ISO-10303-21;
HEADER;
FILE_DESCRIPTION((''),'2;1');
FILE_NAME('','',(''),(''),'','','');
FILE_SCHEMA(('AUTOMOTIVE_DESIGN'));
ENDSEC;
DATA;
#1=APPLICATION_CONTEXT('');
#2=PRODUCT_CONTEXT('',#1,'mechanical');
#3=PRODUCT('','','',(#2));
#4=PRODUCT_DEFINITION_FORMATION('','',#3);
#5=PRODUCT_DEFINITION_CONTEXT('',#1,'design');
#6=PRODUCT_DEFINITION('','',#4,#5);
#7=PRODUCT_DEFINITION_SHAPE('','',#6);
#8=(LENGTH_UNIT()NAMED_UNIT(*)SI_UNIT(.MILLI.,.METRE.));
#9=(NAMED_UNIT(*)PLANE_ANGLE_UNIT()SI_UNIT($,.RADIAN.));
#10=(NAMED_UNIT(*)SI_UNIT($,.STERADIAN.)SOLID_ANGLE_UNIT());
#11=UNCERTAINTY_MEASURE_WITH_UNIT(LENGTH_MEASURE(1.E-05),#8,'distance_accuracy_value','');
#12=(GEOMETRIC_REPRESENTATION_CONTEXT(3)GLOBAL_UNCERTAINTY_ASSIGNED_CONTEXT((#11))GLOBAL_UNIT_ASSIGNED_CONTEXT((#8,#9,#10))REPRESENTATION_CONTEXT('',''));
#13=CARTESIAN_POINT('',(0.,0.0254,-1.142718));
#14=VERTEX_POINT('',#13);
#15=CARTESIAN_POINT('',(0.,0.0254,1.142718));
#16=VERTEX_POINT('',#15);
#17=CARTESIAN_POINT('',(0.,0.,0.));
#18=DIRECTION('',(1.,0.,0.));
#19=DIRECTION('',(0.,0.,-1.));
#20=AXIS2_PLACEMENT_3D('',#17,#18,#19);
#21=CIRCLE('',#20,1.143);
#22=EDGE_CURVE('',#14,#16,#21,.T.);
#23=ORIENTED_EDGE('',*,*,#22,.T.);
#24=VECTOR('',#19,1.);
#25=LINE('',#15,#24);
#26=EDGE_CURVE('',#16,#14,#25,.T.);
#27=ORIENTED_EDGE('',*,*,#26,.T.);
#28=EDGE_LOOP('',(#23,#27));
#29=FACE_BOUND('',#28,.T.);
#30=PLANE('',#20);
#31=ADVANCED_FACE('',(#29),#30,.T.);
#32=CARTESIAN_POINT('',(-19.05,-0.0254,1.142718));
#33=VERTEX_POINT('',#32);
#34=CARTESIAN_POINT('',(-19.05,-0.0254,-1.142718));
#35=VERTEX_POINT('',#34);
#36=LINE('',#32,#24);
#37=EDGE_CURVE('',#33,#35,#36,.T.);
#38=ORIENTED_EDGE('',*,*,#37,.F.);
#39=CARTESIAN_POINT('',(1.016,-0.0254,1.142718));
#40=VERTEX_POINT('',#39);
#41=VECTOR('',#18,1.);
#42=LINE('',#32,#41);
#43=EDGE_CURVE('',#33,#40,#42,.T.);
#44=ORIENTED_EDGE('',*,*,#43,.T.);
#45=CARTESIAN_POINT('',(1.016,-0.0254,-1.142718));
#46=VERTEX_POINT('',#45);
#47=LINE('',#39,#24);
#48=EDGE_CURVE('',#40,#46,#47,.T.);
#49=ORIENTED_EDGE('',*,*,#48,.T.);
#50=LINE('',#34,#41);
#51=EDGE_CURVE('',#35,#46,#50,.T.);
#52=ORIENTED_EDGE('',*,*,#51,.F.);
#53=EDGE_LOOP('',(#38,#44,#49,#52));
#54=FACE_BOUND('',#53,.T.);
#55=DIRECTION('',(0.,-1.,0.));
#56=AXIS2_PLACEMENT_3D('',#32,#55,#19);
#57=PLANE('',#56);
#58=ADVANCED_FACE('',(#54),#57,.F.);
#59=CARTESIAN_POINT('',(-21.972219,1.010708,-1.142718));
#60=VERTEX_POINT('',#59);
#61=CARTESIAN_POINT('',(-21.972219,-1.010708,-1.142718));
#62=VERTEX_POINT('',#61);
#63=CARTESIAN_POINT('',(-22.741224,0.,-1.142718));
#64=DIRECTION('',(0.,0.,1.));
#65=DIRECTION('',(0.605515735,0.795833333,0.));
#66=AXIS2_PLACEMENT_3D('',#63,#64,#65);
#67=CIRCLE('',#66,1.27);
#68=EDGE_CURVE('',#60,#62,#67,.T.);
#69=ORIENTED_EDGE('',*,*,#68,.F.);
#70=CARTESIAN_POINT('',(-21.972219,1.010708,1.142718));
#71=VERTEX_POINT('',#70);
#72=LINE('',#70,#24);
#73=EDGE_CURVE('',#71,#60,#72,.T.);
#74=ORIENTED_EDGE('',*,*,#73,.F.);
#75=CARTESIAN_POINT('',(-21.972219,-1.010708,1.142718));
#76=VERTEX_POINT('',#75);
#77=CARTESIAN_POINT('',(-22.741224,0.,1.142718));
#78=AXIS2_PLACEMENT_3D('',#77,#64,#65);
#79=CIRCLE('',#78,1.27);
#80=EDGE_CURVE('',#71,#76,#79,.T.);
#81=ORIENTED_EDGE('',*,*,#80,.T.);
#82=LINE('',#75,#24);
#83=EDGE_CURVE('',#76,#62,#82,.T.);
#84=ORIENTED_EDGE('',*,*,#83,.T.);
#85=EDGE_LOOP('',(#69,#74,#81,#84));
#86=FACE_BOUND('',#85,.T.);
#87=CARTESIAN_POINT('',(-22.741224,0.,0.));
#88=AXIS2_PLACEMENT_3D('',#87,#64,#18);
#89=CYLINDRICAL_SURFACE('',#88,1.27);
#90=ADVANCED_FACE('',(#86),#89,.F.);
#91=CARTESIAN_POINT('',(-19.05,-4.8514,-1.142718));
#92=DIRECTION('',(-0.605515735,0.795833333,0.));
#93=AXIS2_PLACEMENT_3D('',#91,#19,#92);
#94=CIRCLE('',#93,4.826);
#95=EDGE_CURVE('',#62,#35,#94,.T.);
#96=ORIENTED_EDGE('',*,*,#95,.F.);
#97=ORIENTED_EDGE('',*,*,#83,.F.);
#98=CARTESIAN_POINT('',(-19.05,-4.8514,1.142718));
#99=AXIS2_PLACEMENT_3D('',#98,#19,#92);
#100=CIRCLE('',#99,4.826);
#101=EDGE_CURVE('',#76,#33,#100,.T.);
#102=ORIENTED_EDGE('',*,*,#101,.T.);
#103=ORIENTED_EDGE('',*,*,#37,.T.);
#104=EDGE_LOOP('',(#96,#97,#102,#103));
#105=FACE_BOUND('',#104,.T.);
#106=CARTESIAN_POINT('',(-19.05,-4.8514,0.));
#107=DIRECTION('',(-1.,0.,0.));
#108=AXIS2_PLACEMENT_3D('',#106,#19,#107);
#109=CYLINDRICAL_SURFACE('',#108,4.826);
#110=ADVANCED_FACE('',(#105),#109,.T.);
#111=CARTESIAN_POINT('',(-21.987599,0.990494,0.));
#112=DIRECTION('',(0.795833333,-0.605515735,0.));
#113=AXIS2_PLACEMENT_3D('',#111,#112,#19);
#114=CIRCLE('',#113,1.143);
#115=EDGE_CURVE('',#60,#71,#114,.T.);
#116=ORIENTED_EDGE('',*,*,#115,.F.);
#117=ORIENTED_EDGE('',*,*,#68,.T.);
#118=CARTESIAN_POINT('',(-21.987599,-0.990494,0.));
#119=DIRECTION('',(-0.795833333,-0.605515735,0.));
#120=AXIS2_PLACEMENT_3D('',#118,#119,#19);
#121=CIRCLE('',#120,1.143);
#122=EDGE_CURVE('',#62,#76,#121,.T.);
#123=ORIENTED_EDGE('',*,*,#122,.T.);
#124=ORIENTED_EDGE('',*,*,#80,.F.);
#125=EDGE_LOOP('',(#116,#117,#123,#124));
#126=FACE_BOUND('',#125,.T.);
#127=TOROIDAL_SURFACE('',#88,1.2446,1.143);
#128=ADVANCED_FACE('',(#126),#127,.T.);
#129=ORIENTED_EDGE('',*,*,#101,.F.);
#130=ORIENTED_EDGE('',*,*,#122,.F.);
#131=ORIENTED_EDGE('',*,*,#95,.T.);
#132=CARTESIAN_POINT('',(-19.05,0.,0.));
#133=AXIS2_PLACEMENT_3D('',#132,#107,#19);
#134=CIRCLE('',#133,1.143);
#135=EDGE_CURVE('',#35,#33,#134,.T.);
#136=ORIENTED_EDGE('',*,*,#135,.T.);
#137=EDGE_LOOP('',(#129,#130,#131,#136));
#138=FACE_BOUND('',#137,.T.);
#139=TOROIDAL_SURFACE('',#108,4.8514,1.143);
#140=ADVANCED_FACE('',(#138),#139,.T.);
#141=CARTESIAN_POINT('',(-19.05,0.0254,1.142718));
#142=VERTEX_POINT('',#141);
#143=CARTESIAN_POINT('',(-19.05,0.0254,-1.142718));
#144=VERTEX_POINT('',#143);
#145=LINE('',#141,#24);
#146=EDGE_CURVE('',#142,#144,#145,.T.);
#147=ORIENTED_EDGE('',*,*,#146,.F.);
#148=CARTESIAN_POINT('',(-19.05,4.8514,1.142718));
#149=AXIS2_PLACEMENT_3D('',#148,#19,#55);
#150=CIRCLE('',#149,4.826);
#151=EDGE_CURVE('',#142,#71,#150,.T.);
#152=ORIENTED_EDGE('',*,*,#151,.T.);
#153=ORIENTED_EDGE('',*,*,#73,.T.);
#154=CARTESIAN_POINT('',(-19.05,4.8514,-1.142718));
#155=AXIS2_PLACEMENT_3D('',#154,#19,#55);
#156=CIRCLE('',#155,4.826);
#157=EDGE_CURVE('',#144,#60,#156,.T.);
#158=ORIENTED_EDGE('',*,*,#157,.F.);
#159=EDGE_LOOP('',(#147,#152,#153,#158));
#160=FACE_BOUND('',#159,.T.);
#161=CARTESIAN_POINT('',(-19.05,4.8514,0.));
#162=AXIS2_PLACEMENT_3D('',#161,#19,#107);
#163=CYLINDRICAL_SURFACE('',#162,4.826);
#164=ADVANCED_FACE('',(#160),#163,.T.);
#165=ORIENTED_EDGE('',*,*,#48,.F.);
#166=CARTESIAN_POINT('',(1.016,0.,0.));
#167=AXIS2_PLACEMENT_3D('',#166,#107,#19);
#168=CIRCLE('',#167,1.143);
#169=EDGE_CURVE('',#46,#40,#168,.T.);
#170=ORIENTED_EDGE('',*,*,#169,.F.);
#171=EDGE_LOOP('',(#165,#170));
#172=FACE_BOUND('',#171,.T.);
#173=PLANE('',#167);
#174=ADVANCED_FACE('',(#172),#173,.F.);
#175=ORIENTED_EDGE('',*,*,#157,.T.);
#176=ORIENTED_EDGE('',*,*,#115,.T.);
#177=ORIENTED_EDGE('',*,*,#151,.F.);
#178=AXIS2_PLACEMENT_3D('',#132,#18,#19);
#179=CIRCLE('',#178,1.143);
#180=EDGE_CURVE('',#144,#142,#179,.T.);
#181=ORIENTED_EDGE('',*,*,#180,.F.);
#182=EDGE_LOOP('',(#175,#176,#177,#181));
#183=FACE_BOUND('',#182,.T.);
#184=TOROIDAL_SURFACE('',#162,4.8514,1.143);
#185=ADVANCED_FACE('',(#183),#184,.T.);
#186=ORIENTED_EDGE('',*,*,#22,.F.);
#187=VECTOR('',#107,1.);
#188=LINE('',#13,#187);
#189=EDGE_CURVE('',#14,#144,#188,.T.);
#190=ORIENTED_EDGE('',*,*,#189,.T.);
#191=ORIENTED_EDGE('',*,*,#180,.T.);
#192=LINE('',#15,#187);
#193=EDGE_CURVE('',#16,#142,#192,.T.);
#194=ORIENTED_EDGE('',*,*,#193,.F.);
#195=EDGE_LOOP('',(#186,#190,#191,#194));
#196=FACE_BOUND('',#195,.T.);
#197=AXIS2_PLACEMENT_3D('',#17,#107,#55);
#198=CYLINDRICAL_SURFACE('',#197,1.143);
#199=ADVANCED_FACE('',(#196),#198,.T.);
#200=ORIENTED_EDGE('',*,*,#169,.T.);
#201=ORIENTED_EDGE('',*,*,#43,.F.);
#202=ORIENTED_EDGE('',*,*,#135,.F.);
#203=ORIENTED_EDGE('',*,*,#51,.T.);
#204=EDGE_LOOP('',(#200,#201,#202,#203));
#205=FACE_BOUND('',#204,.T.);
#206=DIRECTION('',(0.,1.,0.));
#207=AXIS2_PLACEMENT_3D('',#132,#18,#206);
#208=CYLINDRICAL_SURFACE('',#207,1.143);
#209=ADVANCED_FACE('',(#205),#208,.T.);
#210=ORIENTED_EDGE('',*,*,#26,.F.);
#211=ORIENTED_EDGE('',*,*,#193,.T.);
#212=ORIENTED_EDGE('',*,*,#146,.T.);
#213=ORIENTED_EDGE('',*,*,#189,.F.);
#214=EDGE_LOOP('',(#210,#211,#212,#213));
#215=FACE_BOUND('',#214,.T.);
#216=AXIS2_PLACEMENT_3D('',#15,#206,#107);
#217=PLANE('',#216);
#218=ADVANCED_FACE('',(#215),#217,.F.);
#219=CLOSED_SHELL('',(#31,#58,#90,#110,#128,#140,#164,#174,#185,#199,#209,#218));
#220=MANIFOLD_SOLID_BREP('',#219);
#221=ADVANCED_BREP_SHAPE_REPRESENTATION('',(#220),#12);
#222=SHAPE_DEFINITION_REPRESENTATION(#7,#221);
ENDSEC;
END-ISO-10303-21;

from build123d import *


with BuildPart() as part:
    # Sweep1: sweep along a path in Sketch3
    with BuildLine(Plane.XY) as sweep1_path:
        Line((0, 0.0254), (-19.05, 0.0254))
        ThreePointArc((-19.05, 0.0254), (-20.591930286, 0.278356485), (-21.972218938, 1.010708333))
        ThreePointArc((-21.972218938, 1.010708333), (-24.011223922, 0), (-21.972218938, -1.010708333))
        ThreePointArc((-21.972218938, -1.010708333), (-20.591930286, -0.278356485), (-19.05, -0.0254))
        Line((-19.05, -0.0254), (1.016, -0.0254))
    # Sketch4 → Sweep1 (sweep)
    with BuildSketch(Plane(origin=(0, 0, 0), x_dir=(0, 0, -1), z_dir=(1, 0, 0))):
        with BuildLine():
            Line((-1.142717743, 0.0254), (1.142717743, 0.0254))
            ThreePointArc((1.142717743, 0.0254), (0, 1.143), (-1.142717743, 0.0254))
        make_face()
    sweep(path=sweep1_path.line)


solid = part.part
